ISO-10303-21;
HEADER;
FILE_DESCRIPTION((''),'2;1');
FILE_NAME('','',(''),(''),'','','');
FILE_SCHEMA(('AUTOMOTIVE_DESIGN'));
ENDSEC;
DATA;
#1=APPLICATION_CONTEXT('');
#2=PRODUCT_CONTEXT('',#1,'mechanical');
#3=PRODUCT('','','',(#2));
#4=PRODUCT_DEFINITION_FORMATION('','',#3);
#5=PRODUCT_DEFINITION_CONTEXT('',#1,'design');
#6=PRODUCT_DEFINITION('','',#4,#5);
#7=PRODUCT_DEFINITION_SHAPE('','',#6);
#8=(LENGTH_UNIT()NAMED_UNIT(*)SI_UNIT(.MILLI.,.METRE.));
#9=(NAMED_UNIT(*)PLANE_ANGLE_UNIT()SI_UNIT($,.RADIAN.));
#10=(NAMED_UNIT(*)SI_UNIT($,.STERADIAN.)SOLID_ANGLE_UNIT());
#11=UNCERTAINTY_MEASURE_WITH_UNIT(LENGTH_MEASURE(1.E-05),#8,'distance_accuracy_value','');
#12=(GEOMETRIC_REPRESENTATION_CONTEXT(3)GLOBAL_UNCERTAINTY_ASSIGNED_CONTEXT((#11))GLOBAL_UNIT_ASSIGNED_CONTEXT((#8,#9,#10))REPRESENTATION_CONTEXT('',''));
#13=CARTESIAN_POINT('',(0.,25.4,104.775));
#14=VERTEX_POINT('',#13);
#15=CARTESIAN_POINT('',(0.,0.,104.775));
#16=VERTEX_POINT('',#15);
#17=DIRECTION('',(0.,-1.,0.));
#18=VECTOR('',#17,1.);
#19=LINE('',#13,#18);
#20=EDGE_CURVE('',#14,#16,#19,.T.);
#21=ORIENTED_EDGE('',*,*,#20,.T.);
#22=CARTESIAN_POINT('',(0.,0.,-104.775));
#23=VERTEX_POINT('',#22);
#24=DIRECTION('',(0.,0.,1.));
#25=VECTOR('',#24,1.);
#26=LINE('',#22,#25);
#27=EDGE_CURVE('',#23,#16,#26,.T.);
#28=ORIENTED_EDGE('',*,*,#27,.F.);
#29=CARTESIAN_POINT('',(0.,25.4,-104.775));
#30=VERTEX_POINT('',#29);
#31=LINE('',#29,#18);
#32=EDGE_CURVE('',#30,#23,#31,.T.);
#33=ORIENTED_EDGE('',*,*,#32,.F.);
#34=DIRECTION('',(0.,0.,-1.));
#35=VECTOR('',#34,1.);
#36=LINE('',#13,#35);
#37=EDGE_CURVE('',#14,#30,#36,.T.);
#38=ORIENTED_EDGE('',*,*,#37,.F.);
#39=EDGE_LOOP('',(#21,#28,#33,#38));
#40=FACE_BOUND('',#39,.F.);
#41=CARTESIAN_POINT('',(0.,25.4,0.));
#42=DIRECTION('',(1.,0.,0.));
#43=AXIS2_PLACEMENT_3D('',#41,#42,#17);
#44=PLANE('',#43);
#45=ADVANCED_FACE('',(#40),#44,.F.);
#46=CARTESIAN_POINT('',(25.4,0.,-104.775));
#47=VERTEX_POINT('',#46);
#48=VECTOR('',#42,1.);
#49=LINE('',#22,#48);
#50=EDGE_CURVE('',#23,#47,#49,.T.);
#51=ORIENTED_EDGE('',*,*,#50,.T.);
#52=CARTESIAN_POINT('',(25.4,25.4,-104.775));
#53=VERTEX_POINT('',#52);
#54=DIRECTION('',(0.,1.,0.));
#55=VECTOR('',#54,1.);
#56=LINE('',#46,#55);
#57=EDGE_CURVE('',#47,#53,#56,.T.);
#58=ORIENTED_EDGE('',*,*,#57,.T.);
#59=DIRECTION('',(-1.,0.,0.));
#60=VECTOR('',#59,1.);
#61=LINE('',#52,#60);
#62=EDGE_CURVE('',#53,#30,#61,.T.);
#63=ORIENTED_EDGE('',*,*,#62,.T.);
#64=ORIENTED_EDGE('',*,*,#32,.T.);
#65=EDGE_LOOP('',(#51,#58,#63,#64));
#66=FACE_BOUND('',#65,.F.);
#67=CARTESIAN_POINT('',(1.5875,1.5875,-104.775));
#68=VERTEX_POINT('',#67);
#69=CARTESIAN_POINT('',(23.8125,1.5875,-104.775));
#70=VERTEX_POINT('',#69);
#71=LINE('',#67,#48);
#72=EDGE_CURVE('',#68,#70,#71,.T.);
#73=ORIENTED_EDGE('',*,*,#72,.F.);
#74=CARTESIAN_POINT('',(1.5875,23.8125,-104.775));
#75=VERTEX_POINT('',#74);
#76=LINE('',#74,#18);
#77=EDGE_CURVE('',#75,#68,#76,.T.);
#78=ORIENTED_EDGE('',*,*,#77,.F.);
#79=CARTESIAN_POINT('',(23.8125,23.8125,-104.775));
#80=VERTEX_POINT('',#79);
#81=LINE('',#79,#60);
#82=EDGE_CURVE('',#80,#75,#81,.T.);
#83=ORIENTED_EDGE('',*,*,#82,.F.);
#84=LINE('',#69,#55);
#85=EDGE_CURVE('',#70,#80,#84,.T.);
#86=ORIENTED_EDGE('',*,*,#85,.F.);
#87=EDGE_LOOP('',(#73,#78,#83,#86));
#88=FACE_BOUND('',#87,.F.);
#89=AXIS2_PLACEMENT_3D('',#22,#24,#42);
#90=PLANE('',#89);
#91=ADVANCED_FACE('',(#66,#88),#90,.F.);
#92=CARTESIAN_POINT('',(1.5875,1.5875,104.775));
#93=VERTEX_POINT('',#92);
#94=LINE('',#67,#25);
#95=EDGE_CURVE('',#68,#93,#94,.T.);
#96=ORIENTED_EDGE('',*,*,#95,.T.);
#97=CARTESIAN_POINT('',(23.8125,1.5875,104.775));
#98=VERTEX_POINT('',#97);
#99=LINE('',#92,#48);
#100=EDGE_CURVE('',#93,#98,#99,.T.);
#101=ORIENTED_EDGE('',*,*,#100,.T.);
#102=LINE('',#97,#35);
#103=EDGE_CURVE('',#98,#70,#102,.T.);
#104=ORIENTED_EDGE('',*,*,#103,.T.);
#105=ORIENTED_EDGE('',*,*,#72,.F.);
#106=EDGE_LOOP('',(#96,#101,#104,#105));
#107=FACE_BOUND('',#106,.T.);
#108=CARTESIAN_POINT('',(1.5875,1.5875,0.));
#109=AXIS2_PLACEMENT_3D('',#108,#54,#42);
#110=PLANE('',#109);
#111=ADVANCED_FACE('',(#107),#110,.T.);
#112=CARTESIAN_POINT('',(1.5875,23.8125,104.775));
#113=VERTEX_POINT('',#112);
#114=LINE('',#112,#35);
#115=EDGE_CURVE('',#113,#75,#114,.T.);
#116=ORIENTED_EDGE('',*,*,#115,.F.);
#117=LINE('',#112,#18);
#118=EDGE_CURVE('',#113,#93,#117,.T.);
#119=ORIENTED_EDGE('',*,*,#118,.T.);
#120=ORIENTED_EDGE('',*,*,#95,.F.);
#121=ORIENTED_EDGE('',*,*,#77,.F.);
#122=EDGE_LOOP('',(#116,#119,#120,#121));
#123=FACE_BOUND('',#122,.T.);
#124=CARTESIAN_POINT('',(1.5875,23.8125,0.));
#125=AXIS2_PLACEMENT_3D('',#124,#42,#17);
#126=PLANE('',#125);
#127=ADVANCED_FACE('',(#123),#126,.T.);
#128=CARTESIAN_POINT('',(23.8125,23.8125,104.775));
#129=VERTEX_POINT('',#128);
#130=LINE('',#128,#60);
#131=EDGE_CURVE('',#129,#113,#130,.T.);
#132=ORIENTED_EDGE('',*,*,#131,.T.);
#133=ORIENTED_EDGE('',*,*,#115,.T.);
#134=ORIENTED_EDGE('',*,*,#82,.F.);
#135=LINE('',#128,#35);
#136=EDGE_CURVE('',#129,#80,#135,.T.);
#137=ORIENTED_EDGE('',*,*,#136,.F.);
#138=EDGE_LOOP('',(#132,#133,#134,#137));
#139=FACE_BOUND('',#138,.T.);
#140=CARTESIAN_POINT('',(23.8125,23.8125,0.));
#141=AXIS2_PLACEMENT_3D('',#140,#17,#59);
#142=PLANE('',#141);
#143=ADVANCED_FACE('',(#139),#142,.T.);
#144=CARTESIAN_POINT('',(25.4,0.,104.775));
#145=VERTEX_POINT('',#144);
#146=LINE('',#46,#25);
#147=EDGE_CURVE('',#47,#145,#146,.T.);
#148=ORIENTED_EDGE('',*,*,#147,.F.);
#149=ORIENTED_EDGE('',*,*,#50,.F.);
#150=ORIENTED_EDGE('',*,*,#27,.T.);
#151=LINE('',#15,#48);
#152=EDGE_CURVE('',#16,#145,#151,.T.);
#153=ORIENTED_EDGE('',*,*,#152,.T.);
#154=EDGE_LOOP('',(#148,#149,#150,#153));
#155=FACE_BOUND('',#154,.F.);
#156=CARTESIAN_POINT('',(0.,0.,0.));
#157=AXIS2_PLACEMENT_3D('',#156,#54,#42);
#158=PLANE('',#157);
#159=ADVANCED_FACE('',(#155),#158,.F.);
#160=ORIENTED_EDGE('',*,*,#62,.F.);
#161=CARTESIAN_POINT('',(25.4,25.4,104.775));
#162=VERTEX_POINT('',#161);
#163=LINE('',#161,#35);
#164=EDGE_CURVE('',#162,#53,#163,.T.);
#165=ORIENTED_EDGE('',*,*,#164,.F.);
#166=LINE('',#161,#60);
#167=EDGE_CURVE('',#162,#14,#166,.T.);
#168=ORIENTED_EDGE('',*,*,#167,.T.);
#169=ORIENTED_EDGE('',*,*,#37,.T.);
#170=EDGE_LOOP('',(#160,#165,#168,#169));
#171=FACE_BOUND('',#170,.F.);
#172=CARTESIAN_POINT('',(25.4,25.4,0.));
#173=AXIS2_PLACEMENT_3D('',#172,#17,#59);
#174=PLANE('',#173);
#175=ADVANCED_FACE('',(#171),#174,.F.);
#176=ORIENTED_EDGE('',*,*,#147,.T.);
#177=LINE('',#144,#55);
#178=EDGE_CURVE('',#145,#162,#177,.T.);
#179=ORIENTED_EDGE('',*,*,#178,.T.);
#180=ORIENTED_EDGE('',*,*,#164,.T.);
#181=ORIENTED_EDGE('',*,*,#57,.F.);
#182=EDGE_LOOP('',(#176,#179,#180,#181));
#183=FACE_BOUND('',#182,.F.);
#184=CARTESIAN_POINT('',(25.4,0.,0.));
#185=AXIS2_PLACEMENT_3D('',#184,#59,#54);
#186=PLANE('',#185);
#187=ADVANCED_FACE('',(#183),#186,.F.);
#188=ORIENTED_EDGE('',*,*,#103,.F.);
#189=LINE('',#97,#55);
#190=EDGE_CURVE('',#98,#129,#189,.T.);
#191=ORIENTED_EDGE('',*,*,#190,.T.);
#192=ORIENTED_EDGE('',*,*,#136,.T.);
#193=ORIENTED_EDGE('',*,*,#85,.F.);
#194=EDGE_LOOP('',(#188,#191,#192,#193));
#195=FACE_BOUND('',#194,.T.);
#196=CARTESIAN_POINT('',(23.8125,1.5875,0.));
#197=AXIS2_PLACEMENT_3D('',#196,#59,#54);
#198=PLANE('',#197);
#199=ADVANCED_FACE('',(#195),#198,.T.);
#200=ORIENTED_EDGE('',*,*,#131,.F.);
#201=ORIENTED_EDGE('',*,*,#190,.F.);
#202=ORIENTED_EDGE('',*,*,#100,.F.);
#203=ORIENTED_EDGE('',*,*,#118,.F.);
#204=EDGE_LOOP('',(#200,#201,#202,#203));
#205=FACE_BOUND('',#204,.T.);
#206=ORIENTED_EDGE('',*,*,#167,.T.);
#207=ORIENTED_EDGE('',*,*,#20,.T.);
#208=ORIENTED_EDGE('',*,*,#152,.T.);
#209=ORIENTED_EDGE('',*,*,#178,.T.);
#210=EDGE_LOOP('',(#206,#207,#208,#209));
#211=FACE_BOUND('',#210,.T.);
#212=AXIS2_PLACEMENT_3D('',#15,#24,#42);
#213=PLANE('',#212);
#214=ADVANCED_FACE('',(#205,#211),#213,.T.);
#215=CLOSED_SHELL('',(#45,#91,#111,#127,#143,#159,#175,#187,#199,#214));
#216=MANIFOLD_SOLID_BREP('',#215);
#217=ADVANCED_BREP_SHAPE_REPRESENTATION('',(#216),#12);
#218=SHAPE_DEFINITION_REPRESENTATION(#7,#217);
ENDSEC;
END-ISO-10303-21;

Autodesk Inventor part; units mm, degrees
ref_plane "YZ Plane" through (0, 0, 0) normal (1, 0, 0) x (0, 1, 0)
ref_plane "XZ Plane" through (0, 0, 0) normal (0, 1, 0) x (-1, 0, 0)
ref_plane "XY Plane" through (0, 0, 0) normal (0, 0, 1) x (1, 0, 0)
sketch "Sketch1" plane through (0, 0, 0) normal (0, 0, 1) x (1, 0, 0)
  line L0 (0, 0) -> (25.4, 0)
  line L1 (25.4, 0) -> (25.4, 25.4)
  line L2 (25.4, 25.4) -> (0, 25.4)
  line L3 (0, 25.4) -> (0, 0)
  line L4 (1.5875, 1.5875) -> (23.8125, 1.5875)
  line L5 (23.8125, 1.5875) -> (23.8125, 23.8125)
  line L6 (23.8125, 23.8125) -> (1.5875, 23.8125)
  line L7 (1.5875, 23.8125) -> (1.5875, 1.5875)
  dimension "d0" = 25.4
  dimension "d1" = 25.4
  dimension "d2" = 1.5875
extrude "Extrusion1" add sketch "Sketch1" along normal mid plane 209.55
properties part number "FRA_019_FrontCenterSupport" material "Aluminum 6061"
